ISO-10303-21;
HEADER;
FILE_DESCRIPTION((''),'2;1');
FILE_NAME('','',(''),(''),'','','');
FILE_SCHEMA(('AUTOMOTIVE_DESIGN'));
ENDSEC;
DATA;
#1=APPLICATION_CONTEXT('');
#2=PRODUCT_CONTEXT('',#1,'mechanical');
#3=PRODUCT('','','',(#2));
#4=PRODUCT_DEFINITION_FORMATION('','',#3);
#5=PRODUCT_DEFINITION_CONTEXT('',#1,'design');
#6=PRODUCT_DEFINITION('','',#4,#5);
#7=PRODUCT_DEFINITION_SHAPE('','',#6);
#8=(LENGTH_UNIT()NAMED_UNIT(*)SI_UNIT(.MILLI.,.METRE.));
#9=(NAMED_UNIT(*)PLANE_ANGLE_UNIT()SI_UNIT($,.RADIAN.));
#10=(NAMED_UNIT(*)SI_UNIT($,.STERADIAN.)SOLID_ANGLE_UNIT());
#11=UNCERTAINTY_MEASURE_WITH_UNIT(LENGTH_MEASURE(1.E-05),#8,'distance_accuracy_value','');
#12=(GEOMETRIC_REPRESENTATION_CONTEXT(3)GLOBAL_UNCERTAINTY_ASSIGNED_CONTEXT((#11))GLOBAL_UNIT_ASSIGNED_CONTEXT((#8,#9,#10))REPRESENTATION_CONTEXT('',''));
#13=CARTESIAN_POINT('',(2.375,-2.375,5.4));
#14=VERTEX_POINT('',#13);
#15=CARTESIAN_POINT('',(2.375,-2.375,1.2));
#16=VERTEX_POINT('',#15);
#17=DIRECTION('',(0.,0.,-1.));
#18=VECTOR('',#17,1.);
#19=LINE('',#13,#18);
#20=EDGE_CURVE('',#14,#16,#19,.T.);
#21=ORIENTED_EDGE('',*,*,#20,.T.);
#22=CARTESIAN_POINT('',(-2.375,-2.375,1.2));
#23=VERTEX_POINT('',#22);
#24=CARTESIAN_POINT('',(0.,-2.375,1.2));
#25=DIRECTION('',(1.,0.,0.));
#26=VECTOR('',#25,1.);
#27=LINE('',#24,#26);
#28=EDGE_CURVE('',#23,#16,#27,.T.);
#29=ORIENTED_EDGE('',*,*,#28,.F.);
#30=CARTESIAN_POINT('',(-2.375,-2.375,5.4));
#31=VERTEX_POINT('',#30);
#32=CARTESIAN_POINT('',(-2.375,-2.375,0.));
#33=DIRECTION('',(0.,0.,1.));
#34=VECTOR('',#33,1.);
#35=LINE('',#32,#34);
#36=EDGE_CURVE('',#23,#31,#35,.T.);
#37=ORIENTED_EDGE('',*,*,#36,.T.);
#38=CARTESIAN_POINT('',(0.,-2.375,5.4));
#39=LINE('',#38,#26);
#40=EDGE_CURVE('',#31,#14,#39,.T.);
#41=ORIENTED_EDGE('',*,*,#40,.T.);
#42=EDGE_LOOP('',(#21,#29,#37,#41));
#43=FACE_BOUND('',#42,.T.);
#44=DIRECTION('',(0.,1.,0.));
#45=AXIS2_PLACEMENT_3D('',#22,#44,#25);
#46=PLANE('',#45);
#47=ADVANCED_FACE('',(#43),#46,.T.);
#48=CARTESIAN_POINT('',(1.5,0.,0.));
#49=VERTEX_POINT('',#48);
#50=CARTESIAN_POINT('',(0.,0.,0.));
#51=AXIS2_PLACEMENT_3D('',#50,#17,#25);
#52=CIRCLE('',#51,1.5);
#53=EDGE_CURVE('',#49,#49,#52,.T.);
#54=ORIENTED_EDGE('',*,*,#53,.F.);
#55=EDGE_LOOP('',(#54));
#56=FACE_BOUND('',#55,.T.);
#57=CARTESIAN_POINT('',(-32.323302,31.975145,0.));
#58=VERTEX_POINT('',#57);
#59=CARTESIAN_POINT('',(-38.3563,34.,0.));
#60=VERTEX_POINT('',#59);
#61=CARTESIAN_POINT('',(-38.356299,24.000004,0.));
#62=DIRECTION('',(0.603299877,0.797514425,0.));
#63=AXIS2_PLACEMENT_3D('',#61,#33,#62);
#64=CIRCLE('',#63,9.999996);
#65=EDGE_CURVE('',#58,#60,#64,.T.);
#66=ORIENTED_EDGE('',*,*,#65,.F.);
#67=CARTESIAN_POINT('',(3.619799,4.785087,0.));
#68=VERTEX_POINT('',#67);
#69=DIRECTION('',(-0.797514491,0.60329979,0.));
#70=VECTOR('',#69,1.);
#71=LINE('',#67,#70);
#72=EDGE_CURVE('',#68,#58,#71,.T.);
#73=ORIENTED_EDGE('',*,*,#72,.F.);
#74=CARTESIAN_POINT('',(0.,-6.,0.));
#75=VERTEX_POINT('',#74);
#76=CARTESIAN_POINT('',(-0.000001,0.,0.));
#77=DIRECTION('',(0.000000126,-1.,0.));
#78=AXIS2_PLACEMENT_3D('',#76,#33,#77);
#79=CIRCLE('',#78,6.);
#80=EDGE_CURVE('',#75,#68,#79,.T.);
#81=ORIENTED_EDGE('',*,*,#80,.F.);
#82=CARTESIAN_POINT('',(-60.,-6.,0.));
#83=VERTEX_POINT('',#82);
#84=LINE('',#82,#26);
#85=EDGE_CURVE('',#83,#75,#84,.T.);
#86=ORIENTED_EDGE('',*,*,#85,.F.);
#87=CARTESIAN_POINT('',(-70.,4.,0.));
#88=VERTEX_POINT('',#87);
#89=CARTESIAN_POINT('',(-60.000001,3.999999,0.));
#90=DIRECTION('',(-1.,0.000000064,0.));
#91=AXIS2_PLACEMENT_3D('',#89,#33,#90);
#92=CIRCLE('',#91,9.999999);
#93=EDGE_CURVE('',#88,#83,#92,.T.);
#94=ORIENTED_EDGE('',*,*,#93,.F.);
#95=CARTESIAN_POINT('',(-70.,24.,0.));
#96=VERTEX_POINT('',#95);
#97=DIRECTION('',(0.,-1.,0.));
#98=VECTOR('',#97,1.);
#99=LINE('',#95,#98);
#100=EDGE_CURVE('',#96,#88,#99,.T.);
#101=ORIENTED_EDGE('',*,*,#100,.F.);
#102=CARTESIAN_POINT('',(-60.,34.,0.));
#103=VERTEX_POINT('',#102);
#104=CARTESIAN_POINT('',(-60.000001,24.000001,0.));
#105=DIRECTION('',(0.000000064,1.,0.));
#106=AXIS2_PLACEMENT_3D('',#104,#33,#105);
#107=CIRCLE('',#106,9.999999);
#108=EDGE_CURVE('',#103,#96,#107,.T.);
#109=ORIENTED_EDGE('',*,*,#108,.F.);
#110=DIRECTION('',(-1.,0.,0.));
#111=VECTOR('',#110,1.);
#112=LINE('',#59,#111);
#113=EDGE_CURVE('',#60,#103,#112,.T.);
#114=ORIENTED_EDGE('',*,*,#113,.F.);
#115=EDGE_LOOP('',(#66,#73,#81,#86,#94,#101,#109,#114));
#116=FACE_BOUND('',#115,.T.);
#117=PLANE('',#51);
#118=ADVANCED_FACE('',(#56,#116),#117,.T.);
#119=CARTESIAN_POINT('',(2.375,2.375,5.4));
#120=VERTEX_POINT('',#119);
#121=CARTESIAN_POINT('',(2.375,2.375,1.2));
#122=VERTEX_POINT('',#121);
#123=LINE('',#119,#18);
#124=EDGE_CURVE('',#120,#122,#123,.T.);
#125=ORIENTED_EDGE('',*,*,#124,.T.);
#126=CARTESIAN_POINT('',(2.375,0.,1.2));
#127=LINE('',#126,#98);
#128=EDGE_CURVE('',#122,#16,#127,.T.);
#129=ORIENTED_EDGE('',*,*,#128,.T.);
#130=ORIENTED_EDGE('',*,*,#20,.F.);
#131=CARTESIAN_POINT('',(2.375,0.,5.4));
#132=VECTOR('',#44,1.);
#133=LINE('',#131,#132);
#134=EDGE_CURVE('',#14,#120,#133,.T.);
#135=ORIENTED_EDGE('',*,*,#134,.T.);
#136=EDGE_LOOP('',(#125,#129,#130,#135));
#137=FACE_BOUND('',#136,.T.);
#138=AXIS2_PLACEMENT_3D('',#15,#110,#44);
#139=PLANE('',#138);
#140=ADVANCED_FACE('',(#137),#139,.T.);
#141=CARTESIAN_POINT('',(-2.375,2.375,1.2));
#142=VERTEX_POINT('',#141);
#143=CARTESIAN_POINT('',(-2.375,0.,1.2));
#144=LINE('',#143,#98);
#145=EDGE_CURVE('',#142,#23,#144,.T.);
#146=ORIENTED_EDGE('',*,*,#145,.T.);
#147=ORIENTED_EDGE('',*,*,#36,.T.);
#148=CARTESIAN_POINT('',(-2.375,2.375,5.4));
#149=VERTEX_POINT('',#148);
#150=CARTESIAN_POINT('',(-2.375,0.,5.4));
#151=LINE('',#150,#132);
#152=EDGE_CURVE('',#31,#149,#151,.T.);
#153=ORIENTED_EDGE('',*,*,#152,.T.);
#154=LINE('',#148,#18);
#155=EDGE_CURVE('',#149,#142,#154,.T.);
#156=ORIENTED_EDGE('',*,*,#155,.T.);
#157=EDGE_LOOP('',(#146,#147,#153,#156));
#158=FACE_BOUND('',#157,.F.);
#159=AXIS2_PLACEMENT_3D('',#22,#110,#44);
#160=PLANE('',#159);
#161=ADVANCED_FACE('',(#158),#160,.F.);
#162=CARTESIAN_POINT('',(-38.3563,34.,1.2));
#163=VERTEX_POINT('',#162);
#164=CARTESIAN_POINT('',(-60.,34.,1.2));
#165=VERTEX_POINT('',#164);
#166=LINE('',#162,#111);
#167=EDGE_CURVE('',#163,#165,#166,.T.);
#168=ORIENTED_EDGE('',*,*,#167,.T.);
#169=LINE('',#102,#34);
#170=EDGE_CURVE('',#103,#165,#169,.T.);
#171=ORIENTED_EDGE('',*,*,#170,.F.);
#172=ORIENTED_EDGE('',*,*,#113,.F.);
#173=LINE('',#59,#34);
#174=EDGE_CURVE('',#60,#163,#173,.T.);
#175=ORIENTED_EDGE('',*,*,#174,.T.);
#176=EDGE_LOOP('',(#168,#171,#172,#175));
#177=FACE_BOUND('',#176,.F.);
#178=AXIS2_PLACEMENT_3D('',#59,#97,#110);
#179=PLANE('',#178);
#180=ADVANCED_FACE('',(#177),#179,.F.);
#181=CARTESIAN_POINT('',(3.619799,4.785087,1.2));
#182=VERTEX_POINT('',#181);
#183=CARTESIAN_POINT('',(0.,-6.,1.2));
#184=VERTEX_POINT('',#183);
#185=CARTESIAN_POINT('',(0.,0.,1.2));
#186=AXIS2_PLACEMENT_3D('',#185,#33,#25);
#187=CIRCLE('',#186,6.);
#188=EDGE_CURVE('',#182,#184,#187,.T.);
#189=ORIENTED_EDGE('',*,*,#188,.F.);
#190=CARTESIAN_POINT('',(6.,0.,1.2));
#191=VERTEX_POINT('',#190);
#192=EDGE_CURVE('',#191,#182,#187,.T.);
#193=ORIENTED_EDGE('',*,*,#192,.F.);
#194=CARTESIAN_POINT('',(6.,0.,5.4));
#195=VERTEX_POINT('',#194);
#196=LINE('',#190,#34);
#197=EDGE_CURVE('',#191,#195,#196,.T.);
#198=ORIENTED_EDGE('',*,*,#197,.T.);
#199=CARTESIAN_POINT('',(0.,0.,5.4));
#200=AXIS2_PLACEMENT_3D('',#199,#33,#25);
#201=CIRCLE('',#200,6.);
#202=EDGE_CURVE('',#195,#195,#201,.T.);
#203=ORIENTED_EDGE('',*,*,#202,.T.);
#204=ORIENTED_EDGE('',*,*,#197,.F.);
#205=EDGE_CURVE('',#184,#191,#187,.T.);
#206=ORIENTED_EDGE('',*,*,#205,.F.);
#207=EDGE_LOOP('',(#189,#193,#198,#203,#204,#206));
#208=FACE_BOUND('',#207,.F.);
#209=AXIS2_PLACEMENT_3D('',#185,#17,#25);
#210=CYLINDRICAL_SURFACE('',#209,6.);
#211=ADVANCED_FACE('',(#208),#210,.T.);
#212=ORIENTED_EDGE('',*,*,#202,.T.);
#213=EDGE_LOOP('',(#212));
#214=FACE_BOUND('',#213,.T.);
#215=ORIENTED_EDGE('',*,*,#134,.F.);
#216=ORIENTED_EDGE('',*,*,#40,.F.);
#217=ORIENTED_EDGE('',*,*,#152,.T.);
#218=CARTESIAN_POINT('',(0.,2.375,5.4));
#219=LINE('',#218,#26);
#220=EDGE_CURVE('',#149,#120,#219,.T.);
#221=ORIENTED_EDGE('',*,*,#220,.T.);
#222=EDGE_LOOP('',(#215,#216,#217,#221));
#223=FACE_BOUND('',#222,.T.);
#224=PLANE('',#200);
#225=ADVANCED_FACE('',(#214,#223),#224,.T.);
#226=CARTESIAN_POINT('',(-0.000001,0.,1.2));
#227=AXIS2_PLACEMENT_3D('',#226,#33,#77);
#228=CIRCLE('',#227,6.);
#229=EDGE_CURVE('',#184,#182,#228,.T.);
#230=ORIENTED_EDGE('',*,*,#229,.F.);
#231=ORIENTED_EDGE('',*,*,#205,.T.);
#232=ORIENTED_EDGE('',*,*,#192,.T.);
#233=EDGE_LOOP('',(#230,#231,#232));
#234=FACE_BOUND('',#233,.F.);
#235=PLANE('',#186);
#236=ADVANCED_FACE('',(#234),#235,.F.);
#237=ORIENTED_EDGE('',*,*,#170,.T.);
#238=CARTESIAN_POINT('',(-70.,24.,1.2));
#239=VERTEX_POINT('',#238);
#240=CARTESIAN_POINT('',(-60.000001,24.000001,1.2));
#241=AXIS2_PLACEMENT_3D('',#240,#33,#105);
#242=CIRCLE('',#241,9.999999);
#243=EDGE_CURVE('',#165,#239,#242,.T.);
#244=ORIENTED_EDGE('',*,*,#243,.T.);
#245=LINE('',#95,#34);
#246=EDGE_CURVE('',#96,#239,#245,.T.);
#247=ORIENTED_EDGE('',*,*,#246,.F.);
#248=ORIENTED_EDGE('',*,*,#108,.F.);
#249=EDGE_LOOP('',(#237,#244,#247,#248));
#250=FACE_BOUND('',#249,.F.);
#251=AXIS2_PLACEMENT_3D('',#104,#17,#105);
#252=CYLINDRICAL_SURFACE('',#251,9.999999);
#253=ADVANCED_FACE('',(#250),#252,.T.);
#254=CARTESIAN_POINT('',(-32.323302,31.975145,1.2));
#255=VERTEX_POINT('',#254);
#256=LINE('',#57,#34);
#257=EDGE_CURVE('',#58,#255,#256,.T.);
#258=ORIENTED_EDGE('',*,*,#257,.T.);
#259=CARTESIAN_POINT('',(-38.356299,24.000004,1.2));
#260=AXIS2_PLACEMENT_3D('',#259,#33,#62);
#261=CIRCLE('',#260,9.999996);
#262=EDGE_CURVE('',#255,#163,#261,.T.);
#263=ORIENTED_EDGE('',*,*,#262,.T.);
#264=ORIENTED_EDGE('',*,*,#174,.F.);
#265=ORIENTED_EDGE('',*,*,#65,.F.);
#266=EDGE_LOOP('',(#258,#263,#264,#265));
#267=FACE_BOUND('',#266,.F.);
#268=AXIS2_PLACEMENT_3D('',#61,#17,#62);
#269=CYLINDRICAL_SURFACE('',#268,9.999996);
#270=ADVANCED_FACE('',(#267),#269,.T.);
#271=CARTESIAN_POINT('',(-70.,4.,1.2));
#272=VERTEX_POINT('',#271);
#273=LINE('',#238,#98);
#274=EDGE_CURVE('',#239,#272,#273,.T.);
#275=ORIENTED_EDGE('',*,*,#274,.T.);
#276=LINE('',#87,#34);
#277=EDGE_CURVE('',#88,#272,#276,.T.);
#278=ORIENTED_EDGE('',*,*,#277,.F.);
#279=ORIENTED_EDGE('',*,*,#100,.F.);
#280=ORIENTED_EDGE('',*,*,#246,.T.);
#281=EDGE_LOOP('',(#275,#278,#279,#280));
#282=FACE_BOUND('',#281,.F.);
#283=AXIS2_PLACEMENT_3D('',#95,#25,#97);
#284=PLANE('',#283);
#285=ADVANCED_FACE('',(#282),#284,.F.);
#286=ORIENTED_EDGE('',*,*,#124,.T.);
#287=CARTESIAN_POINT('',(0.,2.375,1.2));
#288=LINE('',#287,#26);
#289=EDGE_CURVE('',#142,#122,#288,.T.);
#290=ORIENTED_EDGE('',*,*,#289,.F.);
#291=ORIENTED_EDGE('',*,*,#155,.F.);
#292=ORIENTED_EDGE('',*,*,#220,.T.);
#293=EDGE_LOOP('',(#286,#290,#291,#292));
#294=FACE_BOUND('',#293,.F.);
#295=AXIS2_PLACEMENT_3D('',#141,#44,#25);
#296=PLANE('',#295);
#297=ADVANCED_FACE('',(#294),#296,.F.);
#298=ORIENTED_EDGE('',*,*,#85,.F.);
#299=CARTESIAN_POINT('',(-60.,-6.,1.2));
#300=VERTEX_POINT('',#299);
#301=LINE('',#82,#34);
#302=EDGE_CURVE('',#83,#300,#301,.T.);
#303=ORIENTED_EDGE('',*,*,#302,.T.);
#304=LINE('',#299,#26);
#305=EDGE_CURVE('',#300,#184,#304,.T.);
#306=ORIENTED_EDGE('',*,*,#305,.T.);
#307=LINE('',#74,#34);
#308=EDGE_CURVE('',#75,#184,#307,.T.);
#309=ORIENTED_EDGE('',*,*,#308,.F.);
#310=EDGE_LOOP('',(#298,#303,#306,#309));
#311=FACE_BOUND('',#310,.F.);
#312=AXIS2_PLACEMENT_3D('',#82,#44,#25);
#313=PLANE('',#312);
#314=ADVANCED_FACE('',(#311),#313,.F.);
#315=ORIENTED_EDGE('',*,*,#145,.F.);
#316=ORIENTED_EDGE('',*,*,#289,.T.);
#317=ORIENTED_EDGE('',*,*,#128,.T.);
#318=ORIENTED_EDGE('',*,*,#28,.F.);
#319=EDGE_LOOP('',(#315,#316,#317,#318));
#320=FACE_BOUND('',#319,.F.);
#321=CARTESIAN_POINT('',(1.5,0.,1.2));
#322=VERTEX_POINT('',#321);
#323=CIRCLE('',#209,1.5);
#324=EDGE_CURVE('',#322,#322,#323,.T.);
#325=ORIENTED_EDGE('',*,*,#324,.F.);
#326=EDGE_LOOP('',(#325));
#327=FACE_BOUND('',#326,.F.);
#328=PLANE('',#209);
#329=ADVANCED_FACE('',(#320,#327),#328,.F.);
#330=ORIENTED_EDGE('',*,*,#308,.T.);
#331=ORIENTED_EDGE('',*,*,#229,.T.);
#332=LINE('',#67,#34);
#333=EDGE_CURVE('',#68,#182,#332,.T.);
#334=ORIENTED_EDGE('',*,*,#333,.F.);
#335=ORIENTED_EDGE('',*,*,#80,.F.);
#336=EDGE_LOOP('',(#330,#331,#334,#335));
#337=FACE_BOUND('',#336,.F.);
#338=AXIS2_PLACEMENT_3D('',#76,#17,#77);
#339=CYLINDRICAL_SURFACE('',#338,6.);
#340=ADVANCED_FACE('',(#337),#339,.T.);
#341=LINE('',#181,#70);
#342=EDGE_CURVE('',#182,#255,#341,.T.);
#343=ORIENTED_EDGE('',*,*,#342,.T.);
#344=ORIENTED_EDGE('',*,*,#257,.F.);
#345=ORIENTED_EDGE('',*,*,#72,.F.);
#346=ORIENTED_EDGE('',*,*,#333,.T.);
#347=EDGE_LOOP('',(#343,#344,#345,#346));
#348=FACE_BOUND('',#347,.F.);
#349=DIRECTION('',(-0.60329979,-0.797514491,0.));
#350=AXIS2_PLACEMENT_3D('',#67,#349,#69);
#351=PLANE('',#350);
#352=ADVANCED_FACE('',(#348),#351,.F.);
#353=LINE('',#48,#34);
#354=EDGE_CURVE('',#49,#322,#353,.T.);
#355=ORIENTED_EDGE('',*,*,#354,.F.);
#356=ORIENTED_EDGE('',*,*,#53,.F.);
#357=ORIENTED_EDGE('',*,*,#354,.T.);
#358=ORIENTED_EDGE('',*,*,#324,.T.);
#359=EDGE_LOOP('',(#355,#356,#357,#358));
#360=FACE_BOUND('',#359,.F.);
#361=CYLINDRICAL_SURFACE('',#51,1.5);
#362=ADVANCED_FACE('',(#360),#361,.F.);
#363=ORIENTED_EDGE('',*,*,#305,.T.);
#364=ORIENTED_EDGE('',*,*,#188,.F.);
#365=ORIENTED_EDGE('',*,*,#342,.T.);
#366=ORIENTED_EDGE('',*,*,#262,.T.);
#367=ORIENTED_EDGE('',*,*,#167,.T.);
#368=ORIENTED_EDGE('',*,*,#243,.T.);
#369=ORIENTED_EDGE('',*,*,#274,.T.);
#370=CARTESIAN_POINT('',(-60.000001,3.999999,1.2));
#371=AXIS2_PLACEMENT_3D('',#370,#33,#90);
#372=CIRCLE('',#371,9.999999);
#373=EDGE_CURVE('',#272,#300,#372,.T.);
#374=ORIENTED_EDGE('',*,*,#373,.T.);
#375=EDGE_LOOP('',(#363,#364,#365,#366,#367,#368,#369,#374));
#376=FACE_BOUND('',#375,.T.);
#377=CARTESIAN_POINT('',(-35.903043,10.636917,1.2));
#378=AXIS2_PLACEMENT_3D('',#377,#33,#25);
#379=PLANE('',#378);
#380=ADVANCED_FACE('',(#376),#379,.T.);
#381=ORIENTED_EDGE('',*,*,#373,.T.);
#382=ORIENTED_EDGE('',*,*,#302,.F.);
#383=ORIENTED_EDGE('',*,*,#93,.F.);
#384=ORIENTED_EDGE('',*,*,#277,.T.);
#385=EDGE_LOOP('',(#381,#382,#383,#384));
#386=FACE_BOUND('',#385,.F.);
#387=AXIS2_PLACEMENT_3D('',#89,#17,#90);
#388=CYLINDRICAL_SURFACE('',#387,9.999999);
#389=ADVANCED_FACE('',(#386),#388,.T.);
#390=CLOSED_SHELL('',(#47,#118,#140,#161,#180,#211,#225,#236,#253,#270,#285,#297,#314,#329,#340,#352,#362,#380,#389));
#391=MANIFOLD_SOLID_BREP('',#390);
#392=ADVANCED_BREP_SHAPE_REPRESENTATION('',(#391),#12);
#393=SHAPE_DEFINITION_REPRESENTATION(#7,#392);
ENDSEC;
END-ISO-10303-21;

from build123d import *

# Parameters (mm, degrees)
F0_W     = 4.75
F0_H     = 4.75
F1_DEPTH = 1.2
F2_R     = 6
F2_W     = 4.75
F2_H     = 4.75
F3_DEPTH = 4.2
F4_W     = 4.75
F4_H     = 4.75
F4_R     = 1.5
F5_DEPTH = 1.2


with BuildPart() as f1:
    # F0 (on Top) → F1 (new body)
    with BuildSketch(Plane.XY):
        with BuildLine():
            Line((-60, -6), (0, -6))
            ThreePointArc((0, -6), (5.688168, -1.90912), (3.619799, 4.785087))
            Line((3.619799, 4.785087), (-32.323302, 31.975145))
            ThreePointArc((-32.323302, 31.975145), (-35.174433, 33.480281), (-38.3563, 34))
            Line((-38.3563, 34), (-60, 34))
            ThreePointArc((-60, 34), (-67.071068, 31.071068), (-70, 24))
            Line((-70, 24), (-70, 4))
            ThreePointArc((-70, 4), (-67.071068, -3.071068), (-60, -6))
        make_face()
        Rectangle(F0_W, F0_H, mode=Mode.SUBTRACT)
    extrude(amount=F1_DEPTH)

    # F2 (on face) → F3 (join)
    with BuildSketch(Plane.XY.offset(1.2)):
        Circle(F2_R)
        Rectangle(F2_W, F2_H, mode=Mode.SUBTRACT)
    extrude(amount=F3_DEPTH)

    # F4 (on face) → F5 (join)
    with BuildSketch(Plane(origin=(0, 0, 0), x_dir=(1, 0, 0), z_dir=(0, 0, -1))):
        Rectangle(F4_W, F4_H)
        Circle(F4_R, mode=Mode.SUBTRACT)
    extrude(amount=-F5_DEPTH)


solid = f1.part
